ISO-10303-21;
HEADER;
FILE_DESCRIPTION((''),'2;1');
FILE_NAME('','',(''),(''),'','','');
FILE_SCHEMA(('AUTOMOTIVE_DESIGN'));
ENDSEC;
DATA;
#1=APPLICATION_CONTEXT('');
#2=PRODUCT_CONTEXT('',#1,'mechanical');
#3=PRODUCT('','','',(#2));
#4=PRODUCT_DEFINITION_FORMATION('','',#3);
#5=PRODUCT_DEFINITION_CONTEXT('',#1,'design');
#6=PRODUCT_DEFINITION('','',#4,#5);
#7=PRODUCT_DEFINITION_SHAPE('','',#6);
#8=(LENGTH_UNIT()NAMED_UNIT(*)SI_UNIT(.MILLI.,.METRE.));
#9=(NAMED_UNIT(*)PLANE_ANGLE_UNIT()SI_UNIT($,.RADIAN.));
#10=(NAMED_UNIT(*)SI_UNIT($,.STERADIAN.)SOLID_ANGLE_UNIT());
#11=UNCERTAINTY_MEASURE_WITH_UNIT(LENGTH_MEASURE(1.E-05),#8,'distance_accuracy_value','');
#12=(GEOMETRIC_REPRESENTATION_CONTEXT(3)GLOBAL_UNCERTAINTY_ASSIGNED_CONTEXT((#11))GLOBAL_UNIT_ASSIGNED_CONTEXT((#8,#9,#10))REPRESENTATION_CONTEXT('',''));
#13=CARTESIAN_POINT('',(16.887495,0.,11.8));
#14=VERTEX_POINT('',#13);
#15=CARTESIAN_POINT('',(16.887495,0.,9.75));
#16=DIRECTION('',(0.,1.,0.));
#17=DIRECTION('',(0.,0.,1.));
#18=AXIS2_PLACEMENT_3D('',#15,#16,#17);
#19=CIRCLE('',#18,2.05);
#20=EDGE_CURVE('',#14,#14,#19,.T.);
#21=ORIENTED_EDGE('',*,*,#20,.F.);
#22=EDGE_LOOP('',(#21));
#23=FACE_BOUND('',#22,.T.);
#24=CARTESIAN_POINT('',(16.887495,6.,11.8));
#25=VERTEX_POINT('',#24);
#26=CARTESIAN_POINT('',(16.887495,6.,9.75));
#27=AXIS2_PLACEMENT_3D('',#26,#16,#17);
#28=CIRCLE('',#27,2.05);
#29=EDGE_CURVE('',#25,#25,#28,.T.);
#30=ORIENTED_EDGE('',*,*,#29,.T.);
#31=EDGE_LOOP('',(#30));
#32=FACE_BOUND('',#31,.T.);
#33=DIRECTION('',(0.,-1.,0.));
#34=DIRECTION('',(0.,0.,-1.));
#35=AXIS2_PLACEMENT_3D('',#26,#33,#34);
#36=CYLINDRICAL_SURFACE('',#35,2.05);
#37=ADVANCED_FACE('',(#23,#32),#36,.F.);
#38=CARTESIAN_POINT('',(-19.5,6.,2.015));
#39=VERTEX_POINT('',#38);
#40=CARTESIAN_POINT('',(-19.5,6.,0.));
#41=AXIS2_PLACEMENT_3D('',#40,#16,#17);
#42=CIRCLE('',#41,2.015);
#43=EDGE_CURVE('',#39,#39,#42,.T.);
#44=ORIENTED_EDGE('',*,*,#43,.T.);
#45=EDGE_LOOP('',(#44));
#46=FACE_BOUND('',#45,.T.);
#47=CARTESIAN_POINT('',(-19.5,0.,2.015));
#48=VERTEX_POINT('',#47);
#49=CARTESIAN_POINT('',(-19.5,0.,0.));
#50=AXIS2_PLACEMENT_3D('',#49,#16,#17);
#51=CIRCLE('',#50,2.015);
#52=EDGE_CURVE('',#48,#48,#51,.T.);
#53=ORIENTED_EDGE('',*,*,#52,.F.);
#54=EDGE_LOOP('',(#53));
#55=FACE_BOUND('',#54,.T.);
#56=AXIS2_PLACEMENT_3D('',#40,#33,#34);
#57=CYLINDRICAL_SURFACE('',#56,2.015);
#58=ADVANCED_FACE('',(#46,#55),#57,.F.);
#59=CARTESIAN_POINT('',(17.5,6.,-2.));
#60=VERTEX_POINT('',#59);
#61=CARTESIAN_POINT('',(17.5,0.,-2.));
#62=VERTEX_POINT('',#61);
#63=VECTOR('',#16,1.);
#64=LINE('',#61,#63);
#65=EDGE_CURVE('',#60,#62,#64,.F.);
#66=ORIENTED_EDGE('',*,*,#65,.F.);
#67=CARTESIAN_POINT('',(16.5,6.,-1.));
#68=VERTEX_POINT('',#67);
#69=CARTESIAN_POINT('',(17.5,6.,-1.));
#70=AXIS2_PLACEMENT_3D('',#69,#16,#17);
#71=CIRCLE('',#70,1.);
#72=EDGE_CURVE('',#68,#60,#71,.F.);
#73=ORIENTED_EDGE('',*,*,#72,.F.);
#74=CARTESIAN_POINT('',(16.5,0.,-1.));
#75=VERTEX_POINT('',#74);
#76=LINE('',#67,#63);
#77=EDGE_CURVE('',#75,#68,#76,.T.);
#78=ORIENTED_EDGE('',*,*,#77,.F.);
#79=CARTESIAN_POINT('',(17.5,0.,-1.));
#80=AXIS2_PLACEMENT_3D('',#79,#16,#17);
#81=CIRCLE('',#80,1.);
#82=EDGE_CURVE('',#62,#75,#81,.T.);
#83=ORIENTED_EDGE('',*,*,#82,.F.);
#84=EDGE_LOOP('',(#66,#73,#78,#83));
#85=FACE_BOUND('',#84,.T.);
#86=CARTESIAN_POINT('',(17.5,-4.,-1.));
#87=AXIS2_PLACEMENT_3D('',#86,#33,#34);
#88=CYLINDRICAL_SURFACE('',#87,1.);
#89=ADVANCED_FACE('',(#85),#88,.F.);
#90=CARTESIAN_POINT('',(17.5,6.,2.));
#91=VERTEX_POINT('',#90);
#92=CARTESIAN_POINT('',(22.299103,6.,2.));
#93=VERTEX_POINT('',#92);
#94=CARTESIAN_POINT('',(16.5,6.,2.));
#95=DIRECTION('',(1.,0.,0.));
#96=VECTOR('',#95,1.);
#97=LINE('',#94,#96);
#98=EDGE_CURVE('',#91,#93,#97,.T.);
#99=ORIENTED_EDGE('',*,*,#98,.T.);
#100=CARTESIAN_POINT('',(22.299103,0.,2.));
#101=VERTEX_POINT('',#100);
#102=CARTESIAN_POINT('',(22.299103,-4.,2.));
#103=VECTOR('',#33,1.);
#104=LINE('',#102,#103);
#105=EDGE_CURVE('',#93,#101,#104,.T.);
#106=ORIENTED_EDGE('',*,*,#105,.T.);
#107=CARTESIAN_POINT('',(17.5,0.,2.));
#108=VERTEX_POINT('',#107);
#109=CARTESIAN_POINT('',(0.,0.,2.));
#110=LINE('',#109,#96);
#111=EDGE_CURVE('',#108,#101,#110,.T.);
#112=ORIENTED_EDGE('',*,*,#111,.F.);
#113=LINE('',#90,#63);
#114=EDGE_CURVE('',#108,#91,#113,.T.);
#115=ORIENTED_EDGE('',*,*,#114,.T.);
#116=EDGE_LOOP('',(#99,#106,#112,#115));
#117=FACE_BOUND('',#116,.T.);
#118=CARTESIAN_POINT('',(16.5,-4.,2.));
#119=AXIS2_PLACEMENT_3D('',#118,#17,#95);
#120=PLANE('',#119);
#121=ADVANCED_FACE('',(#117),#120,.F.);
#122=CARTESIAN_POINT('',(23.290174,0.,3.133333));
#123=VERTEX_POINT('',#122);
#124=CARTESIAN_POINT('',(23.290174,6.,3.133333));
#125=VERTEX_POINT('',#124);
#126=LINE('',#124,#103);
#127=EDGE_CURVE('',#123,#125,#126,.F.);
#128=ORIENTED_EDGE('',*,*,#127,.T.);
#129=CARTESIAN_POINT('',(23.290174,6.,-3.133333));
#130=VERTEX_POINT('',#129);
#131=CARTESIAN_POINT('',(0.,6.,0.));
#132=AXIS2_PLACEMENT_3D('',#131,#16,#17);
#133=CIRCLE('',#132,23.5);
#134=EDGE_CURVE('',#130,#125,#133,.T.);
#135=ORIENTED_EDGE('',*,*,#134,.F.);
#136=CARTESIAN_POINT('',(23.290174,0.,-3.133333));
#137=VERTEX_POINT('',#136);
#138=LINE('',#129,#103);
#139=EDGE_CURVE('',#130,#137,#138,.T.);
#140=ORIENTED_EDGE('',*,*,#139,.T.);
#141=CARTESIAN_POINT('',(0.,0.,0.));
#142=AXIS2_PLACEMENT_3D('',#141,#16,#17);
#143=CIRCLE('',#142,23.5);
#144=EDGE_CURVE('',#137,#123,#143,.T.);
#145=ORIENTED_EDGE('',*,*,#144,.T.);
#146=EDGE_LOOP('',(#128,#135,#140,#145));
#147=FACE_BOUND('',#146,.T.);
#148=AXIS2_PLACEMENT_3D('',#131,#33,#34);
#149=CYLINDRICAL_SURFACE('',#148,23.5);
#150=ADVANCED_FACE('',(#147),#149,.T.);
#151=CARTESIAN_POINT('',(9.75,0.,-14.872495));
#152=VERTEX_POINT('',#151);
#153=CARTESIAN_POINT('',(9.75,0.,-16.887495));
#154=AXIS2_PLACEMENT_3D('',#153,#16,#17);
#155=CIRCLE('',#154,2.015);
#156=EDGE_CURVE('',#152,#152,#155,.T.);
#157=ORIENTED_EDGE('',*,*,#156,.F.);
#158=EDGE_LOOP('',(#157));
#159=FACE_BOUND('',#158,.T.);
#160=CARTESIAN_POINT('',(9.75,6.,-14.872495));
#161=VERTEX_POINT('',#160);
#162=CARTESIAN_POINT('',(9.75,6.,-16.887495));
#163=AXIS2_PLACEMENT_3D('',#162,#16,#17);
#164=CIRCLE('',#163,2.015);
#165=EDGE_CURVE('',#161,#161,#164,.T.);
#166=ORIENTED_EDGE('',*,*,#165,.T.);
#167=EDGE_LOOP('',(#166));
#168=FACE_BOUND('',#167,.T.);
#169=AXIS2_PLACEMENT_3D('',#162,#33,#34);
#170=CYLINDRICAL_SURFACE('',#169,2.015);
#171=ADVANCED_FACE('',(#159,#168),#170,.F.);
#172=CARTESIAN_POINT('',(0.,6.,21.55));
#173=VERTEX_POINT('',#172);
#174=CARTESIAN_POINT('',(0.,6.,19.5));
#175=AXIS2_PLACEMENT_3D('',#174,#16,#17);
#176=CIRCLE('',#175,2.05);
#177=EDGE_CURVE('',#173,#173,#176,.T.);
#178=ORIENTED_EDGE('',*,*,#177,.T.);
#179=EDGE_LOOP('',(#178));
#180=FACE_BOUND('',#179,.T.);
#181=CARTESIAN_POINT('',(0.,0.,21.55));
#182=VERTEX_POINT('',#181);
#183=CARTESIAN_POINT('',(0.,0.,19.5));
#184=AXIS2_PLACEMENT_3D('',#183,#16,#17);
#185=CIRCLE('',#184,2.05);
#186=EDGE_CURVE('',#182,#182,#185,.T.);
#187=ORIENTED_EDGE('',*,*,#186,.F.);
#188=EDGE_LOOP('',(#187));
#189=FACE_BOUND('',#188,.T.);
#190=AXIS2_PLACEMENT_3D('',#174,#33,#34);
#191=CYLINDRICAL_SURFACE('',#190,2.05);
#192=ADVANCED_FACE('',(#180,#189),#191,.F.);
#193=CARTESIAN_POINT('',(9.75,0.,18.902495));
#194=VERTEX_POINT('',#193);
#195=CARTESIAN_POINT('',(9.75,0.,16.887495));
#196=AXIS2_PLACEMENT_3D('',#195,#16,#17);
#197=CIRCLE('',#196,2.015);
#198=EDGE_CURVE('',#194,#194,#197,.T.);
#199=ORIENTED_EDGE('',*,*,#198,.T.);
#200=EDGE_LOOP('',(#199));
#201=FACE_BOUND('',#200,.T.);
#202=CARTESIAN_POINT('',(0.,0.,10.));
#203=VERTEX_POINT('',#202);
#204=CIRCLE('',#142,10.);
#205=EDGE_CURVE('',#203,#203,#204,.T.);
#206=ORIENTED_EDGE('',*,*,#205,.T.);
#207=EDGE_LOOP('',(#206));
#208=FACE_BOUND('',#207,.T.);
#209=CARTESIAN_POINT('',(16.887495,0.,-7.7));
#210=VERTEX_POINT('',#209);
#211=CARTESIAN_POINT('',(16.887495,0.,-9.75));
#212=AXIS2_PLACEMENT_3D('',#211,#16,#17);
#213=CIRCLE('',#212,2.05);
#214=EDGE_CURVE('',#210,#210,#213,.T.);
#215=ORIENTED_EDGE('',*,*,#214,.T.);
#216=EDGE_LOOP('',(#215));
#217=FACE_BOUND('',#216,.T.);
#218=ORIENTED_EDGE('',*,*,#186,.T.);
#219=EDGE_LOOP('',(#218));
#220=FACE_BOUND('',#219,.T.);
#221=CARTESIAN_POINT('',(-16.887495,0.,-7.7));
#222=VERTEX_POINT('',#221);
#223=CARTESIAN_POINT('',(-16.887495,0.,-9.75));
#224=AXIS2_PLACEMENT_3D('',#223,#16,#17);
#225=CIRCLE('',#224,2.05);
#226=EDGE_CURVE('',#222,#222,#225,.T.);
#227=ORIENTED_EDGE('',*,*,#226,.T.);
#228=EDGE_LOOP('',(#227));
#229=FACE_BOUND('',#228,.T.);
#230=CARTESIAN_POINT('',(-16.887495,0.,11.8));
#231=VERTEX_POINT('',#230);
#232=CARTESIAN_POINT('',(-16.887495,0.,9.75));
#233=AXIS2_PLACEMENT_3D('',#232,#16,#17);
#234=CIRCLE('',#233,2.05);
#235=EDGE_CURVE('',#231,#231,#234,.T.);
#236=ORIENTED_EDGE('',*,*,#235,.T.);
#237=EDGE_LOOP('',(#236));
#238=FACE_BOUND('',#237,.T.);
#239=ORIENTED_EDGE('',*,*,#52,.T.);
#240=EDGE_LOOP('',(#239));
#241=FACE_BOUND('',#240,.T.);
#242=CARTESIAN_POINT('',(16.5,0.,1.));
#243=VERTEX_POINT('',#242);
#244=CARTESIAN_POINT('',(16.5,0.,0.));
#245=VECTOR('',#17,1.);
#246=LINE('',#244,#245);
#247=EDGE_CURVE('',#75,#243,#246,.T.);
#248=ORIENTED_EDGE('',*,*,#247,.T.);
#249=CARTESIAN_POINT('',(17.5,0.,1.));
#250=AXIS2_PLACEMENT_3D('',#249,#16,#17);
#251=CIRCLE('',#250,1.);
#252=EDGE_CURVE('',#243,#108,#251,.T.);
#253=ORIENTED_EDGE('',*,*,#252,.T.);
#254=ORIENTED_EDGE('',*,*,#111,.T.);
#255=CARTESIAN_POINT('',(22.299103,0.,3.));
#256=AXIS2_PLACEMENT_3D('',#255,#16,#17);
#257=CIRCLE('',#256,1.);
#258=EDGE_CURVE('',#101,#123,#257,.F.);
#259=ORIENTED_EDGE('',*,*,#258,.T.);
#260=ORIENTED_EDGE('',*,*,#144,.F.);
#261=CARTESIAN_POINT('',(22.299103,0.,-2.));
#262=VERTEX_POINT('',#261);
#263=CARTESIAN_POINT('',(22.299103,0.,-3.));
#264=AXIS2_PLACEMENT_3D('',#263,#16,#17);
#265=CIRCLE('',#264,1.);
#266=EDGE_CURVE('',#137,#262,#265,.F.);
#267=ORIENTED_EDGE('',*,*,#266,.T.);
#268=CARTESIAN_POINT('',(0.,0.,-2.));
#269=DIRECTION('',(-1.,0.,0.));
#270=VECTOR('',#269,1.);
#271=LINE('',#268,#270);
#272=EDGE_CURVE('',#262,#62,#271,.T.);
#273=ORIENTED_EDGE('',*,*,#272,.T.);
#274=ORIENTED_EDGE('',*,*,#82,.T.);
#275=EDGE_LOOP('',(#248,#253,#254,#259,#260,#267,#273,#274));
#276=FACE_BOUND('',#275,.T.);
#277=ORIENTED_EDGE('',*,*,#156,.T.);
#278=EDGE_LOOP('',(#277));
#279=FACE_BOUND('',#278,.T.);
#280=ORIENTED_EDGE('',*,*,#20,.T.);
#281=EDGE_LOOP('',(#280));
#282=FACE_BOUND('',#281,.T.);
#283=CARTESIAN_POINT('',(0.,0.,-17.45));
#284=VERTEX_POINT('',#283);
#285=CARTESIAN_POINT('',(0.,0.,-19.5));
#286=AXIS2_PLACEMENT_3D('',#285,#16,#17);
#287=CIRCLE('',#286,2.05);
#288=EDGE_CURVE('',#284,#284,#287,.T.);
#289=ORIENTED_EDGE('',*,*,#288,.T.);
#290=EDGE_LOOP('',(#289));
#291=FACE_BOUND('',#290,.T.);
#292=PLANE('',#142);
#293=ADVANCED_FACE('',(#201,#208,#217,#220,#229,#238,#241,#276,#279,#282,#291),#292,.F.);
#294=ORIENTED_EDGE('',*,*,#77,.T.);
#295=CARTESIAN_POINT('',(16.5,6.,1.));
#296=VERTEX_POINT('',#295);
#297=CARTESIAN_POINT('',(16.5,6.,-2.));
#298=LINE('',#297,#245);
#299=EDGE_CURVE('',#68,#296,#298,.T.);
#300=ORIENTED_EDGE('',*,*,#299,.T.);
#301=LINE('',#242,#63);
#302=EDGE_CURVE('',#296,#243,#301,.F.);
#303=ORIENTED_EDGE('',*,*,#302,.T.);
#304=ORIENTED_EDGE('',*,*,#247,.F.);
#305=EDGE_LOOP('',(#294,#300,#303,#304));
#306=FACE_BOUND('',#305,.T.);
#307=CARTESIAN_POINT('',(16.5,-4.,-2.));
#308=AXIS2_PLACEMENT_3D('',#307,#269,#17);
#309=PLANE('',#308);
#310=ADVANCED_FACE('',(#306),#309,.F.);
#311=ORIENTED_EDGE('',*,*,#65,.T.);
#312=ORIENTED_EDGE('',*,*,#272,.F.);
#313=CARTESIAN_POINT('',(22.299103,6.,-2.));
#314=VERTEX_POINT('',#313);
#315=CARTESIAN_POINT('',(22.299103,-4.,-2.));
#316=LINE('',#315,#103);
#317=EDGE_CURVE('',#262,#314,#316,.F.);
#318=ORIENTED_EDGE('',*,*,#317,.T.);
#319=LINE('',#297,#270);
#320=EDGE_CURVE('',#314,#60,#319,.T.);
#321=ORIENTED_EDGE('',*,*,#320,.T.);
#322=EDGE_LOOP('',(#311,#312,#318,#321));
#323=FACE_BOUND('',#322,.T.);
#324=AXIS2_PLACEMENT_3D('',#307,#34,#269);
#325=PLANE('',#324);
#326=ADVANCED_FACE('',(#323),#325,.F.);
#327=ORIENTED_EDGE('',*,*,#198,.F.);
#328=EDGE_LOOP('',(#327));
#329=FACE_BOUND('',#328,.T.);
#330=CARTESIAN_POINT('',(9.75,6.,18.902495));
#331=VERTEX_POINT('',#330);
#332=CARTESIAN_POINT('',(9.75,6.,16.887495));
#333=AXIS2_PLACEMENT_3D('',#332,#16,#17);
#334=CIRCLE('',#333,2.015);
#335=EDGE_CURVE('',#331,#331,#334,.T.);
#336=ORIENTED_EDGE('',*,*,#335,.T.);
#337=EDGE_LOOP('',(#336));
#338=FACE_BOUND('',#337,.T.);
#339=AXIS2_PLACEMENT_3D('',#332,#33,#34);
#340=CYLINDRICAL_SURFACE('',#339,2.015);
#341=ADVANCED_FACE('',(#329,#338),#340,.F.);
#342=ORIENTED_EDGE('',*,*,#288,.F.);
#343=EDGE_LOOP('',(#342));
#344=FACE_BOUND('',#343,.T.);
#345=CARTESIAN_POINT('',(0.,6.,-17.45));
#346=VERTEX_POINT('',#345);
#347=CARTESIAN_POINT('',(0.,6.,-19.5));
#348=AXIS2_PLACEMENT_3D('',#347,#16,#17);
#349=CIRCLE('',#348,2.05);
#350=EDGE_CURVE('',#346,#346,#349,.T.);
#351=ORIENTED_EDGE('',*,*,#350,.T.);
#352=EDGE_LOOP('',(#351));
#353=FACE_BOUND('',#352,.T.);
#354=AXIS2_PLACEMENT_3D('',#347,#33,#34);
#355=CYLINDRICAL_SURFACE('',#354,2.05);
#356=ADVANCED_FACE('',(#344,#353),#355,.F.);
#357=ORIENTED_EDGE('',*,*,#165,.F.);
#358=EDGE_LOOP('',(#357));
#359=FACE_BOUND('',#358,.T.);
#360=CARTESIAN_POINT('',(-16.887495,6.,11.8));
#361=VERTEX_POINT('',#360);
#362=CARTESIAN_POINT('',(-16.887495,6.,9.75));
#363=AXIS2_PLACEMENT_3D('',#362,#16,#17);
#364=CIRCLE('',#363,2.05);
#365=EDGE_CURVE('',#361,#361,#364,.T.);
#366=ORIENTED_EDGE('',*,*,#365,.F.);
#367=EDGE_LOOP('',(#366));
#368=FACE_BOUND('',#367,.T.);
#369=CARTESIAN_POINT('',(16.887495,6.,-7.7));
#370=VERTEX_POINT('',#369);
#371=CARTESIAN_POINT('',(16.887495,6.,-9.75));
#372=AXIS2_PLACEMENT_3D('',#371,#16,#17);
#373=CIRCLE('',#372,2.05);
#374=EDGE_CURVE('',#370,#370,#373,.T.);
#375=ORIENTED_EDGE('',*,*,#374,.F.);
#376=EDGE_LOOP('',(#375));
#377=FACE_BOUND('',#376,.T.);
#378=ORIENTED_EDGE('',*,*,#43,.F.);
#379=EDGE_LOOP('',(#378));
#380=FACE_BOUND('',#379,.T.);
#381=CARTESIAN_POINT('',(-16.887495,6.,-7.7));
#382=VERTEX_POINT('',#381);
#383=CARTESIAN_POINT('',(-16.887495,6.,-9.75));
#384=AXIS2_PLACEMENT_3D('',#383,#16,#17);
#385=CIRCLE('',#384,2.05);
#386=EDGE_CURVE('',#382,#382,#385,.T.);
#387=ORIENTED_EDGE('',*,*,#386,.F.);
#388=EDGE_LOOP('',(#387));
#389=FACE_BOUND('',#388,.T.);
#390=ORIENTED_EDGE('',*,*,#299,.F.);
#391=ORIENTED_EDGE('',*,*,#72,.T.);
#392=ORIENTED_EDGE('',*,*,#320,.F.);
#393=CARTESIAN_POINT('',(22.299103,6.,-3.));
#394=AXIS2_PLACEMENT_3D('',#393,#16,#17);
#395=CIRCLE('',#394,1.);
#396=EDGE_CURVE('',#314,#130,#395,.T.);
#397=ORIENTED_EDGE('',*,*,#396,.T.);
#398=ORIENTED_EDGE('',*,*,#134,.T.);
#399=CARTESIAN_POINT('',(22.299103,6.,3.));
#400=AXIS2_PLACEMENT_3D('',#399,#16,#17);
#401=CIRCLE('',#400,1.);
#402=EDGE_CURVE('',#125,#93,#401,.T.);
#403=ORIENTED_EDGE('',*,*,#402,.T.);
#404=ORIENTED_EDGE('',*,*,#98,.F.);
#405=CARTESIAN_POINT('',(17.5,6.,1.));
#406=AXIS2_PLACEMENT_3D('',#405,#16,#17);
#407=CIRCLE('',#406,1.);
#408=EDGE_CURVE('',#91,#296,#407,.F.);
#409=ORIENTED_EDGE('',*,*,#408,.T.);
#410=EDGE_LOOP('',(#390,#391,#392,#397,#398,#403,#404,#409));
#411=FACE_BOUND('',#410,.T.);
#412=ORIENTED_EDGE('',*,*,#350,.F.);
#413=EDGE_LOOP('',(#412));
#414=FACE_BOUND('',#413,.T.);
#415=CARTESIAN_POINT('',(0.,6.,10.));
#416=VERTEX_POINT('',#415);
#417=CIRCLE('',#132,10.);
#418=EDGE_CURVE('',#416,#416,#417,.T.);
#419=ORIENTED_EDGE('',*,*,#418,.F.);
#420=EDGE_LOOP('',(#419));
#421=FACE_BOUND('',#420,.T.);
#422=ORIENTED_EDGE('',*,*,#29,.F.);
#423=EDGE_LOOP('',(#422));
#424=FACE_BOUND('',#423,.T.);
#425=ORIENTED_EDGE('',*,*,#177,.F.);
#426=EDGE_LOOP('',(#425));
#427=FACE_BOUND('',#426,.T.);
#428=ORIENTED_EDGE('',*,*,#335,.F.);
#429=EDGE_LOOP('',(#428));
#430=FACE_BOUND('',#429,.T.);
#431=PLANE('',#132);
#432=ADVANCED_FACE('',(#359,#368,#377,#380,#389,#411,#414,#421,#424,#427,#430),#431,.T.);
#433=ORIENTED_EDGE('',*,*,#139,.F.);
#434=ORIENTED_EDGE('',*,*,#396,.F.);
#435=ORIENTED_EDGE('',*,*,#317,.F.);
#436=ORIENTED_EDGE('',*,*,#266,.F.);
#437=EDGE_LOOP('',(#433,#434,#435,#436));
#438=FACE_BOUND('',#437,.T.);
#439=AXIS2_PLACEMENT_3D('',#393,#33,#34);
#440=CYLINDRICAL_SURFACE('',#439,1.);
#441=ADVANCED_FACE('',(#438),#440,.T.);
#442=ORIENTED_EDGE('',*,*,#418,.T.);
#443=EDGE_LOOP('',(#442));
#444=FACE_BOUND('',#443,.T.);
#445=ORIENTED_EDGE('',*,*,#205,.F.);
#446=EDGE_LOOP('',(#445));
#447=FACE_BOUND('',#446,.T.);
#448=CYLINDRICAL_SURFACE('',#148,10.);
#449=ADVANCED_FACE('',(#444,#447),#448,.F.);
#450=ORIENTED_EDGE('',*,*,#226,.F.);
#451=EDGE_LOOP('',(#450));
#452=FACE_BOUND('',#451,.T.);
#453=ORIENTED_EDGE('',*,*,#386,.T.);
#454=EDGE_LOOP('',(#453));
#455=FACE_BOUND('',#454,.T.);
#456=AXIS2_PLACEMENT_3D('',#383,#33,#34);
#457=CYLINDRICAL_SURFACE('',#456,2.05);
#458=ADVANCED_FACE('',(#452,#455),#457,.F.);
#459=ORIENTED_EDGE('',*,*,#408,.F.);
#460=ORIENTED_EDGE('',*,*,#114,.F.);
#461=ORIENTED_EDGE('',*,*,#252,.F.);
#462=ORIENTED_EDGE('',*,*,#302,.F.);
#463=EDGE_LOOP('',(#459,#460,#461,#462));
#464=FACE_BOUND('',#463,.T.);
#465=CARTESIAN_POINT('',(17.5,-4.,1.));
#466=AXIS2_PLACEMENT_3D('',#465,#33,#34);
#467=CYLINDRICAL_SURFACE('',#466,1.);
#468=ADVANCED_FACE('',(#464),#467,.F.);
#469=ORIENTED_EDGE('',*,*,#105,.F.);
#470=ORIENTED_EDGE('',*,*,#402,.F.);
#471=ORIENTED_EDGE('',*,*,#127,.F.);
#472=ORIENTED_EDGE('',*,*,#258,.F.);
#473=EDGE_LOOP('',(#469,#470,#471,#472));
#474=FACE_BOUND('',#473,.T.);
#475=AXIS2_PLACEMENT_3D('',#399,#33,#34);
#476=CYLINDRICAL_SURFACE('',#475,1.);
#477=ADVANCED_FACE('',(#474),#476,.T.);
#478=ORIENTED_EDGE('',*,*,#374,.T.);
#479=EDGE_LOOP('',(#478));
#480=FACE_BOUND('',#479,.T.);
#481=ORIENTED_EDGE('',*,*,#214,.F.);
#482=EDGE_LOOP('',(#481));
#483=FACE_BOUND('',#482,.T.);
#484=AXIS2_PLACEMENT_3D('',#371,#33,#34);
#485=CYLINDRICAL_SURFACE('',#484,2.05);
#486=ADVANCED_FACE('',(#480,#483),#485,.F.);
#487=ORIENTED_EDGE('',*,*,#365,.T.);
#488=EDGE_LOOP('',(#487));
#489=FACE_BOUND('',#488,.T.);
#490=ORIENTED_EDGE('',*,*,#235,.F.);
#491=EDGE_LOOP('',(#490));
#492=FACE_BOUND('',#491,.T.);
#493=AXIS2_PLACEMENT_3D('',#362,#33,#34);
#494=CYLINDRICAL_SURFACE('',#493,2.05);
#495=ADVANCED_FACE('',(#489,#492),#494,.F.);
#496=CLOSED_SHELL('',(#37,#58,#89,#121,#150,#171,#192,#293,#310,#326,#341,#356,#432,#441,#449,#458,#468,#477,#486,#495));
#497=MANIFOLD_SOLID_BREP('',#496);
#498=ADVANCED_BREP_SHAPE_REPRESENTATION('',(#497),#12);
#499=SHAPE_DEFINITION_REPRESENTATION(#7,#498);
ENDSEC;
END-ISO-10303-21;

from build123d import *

# Parameters (mm, degrees)
SKETCH_1_R          = 23.5
SKETCH_1_R_2        = 10
SKETCH_1_R_3        = 2.05
SKETCH_1_R_4        = 2.015
EXTRUDE_1_DEPTH     = 6
SKETCH_2_W          = 12.240085516
SKETCH_2_H          = 4
CUT_EXTRUDE_1_DEPTH = 10
FILLET_1_R          = 1


with BuildPart() as part:
    # 草图1 → 凸台-拉伸1 (new body)
    with BuildSketch(Plane(origin=(0, 0, 0), x_dir=(1, 0, 0), z_dir=(0, 1, 0))):
        with Locations(Location((0, 0, 0), (0, 0, 270))):
            Circle(SKETCH_1_R)
        with Locations(Location((0, 0, 0), (0, 0, 270))):
            Circle(SKETCH_1_R_2, mode=Mode.SUBTRACT)
        with Locations(Location((0, 19.5, 0), (0, 0, 270))):
            Circle(SKETCH_1_R_3, mode=Mode.SUBTRACT)
        with Locations(Location((16.887495374, 9.75, 0), (0, 0, 270))):
            Circle(SKETCH_1_R_3, mode=Mode.SUBTRACT)
        with Locations(Location((16.887495374, -9.75, 0), (0, 0, 270))):
            Circle(SKETCH_1_R_3, mode=Mode.SUBTRACT)
        with Locations(Location((0, -19.5, 0), (0, 0, 270))):
            Circle(SKETCH_1_R_3, mode=Mode.SUBTRACT)
        with Locations(Location((-16.887495374, -9.75, 0), (0, 0, 270))):
            Circle(SKETCH_1_R_3, mode=Mode.SUBTRACT)
        with Locations(Location((-16.887495374, 9.75, 0), (0, 0, 270))):
            Circle(SKETCH_1_R_3, mode=Mode.SUBTRACT)
        with Locations(Location((-19.5, 0, 0), (0, 0, 270))):
            Circle(SKETCH_1_R_4, mode=Mode.SUBTRACT)
        with Locations(Location((9.75, 16.887495374, 0), (0, 0, 270))):
            Circle(SKETCH_1_R_4, mode=Mode.SUBTRACT)
        with Locations(Location((9.75, -16.887495374, 0), (0, 0, 270))):
            Circle(SKETCH_1_R_4, mode=Mode.SUBTRACT)
    extrude(amount=EXTRUDE_1_DEPTH)

    # 草图2 → 切除-拉伸1 (cut)
    with BuildSketch(Plane(origin=(0, 6, 0), x_dir=(1, 0, 0), z_dir=(0, 1, 0))):
        with Locations((22.620042758, 0)):
            Rectangle(SKETCH_2_W, SKETCH_2_H)
    extrude(amount=-CUT_EXTRUDE_1_DEPTH, mode=Mode.SUBTRACT)

    # 圆角1
    fillet_1_edges = [part.edges().sort_by_distance(p)[0] for p in [
        (23.414738948, 3, 2),
        (23.414738948, 3, -2),
        (16.5, 3, 2),
        (16.5, 3, -2),
    ]]
    fillet(fillet_1_edges, radius=FILLET_1_R)


solid = part.part
